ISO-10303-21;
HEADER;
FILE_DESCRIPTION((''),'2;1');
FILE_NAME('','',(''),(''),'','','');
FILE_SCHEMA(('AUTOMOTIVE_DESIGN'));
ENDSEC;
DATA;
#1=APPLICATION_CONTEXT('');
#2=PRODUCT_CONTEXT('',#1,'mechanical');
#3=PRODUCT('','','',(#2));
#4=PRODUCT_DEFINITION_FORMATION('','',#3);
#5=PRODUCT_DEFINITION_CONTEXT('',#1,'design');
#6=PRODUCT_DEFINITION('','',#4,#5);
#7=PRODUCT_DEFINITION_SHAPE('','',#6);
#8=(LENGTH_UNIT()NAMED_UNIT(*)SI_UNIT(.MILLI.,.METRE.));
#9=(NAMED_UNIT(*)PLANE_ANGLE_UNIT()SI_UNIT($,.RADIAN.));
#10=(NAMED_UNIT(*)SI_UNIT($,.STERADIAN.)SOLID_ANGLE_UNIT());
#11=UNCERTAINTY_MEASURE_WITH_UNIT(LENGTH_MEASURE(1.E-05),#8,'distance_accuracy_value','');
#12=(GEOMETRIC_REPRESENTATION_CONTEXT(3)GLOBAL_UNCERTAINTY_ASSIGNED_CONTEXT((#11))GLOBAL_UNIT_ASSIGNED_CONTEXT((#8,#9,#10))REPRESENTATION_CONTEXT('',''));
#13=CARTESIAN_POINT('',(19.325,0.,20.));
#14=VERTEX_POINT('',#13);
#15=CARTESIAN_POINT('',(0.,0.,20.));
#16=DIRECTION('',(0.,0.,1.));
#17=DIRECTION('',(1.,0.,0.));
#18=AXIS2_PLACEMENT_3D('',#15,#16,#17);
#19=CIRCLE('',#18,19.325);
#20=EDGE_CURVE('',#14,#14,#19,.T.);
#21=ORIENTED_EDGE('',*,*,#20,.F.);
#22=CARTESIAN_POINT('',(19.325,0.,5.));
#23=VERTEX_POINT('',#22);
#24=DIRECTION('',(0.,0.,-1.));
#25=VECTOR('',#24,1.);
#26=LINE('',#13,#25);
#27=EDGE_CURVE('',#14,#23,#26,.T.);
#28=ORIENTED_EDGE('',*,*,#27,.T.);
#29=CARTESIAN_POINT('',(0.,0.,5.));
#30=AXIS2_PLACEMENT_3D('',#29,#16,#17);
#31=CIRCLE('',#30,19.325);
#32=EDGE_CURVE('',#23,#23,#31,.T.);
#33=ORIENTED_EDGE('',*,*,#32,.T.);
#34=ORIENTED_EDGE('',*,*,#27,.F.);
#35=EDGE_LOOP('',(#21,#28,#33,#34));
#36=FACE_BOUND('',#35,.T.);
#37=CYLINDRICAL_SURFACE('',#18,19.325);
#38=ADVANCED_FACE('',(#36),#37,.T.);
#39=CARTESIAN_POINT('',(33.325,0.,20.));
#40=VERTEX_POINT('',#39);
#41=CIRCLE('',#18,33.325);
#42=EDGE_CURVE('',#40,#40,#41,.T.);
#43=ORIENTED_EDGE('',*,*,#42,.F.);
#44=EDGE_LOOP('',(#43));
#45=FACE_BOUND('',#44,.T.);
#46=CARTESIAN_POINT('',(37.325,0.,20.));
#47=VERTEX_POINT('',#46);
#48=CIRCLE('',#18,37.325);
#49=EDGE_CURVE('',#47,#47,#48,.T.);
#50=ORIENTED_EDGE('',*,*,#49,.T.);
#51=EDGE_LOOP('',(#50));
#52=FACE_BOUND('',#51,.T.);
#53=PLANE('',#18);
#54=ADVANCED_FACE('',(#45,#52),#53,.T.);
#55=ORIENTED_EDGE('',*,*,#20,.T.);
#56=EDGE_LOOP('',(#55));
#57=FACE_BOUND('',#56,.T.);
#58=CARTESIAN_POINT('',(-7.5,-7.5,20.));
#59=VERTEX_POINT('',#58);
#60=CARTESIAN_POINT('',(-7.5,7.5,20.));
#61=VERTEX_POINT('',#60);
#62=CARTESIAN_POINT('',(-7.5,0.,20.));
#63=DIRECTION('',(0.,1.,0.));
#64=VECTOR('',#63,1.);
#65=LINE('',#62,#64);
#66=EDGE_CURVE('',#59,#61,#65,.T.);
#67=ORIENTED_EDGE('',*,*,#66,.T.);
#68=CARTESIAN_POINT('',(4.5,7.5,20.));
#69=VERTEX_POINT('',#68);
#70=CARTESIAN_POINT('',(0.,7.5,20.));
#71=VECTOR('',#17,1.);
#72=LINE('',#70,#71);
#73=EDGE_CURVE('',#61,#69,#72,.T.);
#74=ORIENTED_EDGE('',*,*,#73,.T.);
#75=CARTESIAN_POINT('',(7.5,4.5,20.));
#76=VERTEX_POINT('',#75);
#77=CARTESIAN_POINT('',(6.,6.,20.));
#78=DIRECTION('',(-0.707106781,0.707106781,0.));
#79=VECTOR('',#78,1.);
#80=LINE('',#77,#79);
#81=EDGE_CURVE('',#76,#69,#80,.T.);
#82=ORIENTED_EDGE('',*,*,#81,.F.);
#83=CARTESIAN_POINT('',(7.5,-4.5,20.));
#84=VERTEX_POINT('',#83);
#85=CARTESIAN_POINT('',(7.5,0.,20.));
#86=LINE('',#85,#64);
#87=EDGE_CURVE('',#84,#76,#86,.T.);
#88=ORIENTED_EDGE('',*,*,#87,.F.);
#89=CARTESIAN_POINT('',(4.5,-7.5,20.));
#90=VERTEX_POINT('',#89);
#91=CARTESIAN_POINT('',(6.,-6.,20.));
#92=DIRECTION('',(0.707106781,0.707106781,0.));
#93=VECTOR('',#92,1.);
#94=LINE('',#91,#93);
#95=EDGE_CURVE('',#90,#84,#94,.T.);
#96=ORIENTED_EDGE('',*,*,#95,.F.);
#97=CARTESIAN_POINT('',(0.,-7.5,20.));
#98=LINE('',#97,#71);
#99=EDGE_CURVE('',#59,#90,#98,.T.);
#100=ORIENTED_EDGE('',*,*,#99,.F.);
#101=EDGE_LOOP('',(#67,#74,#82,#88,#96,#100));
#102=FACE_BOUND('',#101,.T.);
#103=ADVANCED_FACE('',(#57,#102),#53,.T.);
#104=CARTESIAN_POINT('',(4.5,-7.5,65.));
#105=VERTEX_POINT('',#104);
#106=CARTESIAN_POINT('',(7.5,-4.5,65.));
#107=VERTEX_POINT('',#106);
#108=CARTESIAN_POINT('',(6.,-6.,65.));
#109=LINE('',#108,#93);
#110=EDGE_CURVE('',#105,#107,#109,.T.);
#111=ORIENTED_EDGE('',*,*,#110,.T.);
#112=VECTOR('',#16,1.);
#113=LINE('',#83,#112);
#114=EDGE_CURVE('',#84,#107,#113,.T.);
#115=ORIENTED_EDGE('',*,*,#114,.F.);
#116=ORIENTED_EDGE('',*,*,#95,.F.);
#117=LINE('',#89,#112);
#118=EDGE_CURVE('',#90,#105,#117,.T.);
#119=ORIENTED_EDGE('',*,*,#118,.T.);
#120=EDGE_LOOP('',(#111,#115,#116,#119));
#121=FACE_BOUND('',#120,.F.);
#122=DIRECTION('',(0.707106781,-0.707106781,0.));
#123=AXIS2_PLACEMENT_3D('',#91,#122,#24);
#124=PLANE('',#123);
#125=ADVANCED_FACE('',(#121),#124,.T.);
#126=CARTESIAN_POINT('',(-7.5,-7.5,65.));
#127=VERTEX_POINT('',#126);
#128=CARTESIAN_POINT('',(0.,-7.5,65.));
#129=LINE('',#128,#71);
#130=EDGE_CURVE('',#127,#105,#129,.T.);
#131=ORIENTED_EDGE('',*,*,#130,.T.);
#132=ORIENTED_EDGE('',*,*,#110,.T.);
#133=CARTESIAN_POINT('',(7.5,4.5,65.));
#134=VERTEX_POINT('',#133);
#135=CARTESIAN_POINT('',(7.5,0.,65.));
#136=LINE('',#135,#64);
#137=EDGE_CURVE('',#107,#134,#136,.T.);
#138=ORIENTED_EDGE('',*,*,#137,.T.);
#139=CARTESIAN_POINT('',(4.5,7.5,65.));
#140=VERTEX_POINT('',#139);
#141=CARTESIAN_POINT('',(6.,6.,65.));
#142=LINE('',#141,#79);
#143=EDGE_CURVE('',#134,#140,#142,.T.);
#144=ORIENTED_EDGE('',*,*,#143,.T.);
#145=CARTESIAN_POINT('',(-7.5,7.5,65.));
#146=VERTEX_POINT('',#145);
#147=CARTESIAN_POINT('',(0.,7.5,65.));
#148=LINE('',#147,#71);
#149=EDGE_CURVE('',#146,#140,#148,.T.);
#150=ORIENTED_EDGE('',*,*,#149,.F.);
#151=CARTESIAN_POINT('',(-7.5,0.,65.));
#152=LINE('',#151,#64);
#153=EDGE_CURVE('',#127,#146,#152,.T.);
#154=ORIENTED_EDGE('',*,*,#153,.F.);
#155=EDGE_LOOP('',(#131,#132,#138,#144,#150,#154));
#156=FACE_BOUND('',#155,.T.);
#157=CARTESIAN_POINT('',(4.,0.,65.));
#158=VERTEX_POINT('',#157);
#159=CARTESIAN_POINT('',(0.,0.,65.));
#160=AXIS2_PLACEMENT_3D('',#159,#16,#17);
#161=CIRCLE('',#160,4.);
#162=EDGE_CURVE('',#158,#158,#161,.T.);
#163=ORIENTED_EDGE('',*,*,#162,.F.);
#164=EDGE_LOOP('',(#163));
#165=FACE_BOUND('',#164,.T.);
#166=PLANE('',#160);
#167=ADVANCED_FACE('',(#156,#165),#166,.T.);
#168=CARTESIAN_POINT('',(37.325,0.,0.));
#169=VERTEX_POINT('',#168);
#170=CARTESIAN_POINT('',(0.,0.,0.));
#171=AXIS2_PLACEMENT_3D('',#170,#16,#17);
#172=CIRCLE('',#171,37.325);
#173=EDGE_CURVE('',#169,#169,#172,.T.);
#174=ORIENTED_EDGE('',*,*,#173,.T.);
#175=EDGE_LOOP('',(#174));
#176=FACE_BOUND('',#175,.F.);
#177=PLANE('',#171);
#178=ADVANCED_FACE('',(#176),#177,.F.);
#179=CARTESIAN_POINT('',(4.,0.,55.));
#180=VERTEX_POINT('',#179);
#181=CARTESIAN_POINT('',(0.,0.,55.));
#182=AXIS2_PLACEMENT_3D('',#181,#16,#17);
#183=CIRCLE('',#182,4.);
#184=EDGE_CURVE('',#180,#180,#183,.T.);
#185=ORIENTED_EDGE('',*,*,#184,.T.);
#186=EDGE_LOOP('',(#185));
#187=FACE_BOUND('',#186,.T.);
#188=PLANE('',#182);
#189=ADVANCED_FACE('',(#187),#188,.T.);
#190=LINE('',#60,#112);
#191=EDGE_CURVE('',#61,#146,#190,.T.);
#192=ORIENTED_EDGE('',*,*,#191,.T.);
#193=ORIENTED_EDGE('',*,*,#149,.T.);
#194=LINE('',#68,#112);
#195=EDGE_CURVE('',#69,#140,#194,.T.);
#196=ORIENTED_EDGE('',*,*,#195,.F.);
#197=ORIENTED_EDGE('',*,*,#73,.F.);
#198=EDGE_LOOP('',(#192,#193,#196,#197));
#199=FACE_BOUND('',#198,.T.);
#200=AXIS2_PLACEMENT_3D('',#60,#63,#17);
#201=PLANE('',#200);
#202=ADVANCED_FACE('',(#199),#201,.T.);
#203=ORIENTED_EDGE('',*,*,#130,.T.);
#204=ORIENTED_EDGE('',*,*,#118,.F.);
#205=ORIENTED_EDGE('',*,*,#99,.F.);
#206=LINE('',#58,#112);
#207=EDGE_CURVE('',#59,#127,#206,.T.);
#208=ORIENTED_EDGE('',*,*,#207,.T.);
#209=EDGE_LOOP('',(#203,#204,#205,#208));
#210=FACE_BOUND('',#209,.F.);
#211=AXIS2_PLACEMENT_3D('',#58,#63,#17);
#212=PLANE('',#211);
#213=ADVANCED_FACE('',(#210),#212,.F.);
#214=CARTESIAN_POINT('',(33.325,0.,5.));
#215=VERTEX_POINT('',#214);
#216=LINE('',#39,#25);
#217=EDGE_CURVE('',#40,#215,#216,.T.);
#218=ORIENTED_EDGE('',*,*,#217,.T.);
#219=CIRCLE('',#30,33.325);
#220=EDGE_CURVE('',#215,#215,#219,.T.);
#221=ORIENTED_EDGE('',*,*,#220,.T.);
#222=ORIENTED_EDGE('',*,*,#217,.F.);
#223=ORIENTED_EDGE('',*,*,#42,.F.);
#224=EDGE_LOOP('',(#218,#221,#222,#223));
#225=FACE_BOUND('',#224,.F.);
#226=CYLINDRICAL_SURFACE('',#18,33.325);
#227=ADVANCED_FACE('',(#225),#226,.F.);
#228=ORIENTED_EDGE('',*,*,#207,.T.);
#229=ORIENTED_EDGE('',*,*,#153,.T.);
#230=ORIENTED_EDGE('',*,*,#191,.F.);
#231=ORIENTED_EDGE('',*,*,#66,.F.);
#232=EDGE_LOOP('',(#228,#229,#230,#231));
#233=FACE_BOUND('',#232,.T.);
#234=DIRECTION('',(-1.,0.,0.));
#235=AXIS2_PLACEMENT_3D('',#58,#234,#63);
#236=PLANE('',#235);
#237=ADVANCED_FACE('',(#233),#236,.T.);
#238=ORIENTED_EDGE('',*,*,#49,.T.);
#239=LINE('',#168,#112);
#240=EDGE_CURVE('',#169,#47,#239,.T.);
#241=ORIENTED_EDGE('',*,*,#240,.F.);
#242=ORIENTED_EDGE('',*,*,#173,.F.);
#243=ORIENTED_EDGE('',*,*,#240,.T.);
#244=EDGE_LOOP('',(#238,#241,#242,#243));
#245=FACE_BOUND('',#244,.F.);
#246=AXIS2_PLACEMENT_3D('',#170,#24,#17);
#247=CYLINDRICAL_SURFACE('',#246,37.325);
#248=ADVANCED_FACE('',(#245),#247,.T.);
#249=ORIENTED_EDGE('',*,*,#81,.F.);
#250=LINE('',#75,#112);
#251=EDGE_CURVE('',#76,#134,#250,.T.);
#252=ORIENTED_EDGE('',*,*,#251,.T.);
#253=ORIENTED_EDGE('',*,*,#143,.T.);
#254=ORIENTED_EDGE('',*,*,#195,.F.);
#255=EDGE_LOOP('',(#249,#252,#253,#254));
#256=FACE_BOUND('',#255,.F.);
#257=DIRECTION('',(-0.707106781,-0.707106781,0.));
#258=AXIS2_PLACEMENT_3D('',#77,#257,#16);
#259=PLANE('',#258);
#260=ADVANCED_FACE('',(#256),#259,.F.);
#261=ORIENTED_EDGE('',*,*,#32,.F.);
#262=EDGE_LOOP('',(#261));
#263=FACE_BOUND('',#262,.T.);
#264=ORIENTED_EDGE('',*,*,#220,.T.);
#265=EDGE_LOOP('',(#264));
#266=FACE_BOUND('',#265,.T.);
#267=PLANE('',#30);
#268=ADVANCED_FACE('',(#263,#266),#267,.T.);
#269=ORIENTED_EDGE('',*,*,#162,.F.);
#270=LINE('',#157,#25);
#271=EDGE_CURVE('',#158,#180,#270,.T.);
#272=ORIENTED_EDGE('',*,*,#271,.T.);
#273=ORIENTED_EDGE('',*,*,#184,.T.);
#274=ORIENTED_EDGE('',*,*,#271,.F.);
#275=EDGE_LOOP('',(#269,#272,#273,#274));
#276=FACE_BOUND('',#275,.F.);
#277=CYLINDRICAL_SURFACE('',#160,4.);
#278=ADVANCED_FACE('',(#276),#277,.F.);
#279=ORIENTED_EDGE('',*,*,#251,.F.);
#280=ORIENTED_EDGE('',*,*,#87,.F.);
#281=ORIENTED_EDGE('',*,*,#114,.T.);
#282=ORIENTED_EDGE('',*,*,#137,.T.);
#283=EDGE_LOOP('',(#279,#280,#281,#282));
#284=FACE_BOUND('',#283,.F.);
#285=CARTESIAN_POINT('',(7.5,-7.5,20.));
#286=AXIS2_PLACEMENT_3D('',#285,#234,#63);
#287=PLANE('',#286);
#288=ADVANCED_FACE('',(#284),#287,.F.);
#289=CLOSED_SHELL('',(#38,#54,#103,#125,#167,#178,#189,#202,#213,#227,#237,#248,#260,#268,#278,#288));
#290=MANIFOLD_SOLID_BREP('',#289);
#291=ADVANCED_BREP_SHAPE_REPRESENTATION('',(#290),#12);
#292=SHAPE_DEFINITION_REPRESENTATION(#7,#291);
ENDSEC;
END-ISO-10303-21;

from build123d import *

# Parameters (mm, degrees)
F0_R     = 37.325
F1_DEPTH = 20
F2_R     = 33.325
F2_R_2   = 19.325
F3_DEPTH = 15
F4_W     = 15
F4_H     = 15
F5_DEPTH = 45
F6_SIZE2 = 3
F6_SIZE  = 3
F7_R     = 4
F8_DEPTH = 10


with BuildPart() as f1:
    # F0 (on Top) → F1 (new body)
    with BuildSketch(Plane.XY):
        Circle(F0_R)
    extrude(amount=F1_DEPTH)

    # F2 (on face) → F3 (cut)
    with BuildSketch(Plane.XY.offset(20)):
        Circle(F2_R)
        Circle(F2_R_2, mode=Mode.SUBTRACT)
    extrude(amount=-F3_DEPTH, mode=Mode.SUBTRACT)

    # F4 (on face) → F5 (join)
    with BuildSketch(Plane.XY.offset(20)):
        Rectangle(F4_W, F4_H)
    extrude(amount=F5_DEPTH)

    # F6
    f6_edges = [f1.edges().sort_by_distance(p)[0] for p in [
        (7.5, 7.5, 42.5),
        (7.5, -7.5, 42.5),
    ]]
    chamfer(f6_edges, length=F6_SIZE, length2=F6_SIZE2)

    # F7 (on face) → F8 (cut)
    with BuildSketch(Plane.XY.offset(65)):
        Circle(F7_R)
    extrude(amount=-F8_DEPTH, mode=Mode.SUBTRACT)


solid = f1.part
